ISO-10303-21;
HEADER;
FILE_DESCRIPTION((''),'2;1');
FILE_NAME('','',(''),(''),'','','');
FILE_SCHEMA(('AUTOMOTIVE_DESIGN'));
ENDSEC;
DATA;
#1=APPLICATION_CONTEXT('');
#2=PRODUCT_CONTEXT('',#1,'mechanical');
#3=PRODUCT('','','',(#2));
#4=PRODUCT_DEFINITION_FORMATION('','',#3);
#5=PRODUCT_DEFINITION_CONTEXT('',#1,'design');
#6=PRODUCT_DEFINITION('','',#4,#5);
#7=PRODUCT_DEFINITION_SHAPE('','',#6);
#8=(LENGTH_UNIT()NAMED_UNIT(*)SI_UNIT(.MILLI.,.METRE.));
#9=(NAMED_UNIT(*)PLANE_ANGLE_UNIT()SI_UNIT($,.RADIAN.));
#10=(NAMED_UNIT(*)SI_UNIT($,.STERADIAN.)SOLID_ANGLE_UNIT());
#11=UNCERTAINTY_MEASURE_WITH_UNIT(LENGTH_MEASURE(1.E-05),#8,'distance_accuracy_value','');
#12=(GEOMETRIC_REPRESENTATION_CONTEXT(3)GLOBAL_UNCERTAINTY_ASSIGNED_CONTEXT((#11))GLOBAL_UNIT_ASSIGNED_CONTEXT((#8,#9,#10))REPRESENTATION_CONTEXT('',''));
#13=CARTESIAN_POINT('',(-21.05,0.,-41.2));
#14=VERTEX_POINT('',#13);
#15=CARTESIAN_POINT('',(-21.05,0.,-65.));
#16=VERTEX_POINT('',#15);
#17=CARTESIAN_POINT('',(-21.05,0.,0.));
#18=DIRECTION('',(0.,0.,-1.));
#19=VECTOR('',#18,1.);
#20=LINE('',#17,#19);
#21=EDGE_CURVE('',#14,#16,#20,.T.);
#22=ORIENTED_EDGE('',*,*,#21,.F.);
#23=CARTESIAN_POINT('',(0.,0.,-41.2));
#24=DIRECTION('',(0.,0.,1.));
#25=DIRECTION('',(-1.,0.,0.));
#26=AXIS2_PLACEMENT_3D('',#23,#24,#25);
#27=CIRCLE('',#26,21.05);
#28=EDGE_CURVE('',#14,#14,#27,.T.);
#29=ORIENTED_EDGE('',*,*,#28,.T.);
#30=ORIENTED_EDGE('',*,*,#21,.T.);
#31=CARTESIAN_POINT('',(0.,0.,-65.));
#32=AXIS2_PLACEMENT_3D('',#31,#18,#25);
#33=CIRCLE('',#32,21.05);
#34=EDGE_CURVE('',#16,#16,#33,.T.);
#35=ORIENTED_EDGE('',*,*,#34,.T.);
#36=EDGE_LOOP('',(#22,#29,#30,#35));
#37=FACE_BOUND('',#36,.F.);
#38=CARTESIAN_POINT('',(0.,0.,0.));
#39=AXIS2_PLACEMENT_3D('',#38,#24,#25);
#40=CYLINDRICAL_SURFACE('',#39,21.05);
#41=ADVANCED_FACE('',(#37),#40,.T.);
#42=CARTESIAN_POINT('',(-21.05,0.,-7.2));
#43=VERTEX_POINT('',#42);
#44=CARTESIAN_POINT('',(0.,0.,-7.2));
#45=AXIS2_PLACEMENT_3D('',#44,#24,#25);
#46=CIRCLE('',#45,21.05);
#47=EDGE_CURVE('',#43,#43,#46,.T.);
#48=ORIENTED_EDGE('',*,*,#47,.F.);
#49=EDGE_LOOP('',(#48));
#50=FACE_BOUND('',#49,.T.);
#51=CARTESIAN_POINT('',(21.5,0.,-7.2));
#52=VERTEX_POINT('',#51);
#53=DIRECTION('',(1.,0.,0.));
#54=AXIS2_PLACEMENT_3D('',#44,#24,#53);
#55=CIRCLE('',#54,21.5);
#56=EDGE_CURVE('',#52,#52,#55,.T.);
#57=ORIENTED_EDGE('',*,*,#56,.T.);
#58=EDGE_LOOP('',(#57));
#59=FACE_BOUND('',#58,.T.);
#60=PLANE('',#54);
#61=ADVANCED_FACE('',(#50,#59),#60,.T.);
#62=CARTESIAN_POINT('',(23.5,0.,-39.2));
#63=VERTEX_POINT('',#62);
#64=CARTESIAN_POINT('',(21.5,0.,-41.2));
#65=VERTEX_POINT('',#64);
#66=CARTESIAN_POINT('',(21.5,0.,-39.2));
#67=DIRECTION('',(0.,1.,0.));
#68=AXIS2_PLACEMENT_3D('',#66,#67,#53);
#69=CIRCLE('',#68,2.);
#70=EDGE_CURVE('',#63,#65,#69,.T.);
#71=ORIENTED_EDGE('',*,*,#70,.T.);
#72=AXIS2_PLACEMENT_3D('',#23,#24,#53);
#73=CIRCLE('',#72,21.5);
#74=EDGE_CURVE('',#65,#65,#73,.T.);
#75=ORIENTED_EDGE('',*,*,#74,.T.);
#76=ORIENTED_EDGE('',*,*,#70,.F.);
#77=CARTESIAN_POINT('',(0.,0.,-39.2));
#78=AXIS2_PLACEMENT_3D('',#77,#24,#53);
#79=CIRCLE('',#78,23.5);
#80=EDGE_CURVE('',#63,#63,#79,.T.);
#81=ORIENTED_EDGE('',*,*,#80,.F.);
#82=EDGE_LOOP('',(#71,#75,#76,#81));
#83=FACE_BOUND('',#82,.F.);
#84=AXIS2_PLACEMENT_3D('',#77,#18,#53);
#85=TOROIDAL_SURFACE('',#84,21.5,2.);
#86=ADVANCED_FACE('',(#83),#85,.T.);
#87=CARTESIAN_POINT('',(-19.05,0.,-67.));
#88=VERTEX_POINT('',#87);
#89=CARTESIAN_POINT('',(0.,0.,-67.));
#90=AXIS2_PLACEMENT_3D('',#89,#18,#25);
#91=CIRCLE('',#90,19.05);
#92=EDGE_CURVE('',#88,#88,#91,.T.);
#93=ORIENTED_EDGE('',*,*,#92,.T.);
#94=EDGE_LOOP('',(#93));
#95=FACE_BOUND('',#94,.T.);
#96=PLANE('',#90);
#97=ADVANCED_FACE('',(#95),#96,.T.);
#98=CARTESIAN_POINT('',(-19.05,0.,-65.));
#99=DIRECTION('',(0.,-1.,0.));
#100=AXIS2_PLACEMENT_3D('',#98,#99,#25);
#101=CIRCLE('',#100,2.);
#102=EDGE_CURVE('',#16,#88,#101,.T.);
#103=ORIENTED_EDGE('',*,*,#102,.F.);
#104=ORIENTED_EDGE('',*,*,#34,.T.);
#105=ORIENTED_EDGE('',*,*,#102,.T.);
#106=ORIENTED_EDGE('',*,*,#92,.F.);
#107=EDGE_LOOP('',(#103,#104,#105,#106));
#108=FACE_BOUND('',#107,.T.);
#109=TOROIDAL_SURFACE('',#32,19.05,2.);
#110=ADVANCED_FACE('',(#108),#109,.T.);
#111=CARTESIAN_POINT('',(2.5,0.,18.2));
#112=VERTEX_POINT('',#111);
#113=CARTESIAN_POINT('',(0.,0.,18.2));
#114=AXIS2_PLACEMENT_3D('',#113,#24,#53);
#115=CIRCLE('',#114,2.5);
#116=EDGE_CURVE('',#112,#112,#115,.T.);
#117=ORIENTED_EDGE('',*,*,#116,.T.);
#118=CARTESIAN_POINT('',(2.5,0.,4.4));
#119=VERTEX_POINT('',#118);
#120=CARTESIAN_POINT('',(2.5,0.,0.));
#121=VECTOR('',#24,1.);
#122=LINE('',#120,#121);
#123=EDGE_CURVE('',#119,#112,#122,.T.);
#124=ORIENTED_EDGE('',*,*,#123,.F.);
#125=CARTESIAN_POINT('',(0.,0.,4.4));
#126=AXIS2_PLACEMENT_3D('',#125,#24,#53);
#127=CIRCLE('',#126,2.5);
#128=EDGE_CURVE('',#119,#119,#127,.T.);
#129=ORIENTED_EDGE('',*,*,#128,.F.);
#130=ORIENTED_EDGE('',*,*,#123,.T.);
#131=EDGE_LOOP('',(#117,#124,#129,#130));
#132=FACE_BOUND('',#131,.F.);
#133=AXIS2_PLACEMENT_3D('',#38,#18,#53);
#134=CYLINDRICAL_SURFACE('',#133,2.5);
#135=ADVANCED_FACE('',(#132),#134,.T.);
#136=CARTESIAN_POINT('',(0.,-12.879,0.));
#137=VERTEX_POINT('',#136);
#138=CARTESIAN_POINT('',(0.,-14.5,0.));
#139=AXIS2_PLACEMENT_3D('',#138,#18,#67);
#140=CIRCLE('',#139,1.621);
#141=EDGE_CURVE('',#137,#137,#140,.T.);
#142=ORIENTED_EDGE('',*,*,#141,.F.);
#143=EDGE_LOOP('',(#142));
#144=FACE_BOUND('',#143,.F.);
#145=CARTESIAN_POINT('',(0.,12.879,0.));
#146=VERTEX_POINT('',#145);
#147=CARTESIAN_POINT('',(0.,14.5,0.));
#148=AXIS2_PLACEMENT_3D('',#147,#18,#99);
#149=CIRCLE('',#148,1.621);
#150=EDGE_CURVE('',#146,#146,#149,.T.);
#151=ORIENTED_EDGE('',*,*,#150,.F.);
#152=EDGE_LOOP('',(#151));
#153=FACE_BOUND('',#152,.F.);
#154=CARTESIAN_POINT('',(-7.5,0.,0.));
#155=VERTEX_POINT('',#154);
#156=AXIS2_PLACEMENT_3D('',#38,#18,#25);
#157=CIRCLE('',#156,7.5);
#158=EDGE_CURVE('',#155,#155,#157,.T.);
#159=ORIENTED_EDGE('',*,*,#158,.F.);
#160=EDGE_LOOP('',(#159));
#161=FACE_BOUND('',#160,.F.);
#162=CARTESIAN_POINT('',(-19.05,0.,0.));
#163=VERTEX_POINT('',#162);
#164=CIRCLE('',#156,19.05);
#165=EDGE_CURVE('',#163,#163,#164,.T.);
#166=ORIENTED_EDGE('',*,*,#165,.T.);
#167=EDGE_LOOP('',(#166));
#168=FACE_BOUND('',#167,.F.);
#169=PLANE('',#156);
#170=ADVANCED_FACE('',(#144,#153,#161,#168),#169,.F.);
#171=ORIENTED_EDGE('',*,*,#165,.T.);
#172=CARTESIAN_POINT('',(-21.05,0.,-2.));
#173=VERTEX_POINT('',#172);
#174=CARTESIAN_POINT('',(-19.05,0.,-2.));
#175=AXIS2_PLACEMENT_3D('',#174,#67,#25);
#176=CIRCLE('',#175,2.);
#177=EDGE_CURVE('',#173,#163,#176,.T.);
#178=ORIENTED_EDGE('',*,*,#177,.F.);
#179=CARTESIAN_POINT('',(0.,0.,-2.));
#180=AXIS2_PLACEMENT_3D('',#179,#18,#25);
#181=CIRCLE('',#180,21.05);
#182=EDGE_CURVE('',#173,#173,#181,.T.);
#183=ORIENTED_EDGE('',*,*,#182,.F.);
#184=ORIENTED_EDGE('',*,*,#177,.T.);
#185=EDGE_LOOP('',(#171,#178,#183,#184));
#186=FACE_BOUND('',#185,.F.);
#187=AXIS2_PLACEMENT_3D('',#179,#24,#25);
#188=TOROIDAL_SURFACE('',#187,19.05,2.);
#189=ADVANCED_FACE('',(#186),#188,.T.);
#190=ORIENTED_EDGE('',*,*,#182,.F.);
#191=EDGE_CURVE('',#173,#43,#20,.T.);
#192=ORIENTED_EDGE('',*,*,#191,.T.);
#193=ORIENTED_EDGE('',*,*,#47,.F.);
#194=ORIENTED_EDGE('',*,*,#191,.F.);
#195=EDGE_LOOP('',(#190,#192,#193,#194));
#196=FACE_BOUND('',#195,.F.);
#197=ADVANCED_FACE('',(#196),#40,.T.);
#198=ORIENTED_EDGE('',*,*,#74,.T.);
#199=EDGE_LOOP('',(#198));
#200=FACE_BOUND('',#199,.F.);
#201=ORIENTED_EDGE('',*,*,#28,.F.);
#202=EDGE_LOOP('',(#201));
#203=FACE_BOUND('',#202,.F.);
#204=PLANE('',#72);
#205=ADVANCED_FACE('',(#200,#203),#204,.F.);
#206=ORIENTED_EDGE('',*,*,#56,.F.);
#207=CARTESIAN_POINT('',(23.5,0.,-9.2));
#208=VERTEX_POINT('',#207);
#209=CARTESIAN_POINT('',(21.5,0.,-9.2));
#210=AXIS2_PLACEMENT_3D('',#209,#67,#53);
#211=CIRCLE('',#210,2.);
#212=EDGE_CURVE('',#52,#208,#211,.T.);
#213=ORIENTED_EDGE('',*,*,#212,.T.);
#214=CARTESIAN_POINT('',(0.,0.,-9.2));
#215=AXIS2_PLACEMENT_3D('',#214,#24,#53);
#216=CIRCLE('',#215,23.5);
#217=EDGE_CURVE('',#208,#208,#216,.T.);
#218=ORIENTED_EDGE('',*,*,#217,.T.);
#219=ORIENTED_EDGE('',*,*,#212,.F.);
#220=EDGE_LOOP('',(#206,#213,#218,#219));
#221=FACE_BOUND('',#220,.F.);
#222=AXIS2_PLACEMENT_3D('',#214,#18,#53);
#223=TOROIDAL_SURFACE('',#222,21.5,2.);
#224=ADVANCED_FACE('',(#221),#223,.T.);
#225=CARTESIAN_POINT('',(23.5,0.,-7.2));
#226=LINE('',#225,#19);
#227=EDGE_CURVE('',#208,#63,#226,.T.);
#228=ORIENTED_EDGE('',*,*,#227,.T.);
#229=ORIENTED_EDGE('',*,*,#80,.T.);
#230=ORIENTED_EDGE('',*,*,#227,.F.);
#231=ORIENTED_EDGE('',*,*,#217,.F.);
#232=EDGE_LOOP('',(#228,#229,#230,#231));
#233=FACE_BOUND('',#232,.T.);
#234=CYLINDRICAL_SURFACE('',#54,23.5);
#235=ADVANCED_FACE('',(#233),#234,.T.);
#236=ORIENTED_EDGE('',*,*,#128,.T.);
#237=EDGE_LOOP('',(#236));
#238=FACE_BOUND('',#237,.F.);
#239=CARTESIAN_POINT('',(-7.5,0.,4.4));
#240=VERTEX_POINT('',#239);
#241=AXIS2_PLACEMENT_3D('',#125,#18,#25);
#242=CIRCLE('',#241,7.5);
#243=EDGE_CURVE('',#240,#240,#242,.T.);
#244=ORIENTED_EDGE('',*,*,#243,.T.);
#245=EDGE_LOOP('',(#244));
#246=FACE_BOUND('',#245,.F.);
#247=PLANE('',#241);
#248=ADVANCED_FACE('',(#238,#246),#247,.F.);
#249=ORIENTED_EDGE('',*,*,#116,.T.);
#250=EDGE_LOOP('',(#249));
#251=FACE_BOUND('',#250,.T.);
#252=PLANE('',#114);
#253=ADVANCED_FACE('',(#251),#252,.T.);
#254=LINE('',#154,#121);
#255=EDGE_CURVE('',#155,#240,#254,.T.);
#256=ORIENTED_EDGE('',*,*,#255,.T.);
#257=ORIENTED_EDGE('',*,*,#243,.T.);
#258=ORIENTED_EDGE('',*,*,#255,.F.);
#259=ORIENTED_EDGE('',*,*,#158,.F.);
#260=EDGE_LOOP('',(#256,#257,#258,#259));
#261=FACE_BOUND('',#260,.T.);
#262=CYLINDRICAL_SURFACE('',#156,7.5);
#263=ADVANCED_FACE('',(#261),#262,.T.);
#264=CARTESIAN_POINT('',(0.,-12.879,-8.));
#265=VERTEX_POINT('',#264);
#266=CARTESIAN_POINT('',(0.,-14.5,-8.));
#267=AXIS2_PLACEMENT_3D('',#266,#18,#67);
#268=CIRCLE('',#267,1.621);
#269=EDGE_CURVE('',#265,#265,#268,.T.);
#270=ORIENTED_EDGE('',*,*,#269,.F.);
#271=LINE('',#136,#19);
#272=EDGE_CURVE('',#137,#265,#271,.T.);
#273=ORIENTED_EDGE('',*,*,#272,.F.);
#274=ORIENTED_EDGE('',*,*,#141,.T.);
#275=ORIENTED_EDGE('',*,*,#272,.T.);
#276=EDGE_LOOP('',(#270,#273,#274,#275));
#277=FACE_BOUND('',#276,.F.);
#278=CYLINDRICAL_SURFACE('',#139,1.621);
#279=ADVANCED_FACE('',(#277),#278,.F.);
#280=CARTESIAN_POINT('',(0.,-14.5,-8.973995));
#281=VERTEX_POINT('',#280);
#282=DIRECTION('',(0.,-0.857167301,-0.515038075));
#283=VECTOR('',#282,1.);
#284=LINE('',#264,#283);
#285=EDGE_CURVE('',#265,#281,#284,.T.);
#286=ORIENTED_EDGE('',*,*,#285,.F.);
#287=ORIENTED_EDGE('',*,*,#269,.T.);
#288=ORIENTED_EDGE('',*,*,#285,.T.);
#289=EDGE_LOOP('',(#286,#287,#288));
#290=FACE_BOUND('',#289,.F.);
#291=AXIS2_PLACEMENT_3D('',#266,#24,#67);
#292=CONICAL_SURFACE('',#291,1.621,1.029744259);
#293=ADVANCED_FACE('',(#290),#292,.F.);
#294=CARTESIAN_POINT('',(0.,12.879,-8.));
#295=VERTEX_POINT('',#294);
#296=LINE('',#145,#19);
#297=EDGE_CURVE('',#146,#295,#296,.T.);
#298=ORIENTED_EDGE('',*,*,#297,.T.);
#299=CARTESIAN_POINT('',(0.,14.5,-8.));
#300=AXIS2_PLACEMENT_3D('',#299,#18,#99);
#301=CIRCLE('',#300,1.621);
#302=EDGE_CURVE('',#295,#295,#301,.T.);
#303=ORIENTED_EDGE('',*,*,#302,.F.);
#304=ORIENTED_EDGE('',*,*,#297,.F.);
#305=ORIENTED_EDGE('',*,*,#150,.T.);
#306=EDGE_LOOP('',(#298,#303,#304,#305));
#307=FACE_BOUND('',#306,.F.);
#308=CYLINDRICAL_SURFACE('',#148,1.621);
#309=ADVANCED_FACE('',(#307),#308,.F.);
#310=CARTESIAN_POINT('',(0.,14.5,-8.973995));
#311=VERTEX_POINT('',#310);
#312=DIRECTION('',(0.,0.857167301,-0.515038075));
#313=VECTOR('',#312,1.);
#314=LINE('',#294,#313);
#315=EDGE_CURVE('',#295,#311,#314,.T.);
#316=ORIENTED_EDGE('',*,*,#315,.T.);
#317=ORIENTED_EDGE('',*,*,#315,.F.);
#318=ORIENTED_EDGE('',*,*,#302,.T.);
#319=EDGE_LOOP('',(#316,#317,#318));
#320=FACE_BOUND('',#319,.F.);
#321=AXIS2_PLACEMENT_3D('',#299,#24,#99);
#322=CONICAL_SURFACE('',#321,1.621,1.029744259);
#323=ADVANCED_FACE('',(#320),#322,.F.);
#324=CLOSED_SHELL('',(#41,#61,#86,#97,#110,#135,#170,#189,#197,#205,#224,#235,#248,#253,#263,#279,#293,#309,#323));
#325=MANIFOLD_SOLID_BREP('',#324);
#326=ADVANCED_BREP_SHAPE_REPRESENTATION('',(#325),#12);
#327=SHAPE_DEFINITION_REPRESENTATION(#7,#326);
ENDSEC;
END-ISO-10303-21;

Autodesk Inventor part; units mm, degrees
ref_plane "YZ Plane" through (0, 0, 0) normal (1, 0, 0) x (0, 1, 0)
ref_plane "XZ Plane" through (0, 0, 0) normal (0, 1, 0) x (-1, 0, 0)
sketch "スケッチ1" plane through (0, 0, 0) normal (0, 0, 1) x (1, 0, 0)
  circle A0 centre (0, 0) radius 2.5
  dimension "d0" = 5
extrude "押し出し1" add sketch "スケッチ1" along normal blind 18.2
sketch "スケッチ2" plane through (0, 0, 0) normal (0, 0, -1) x (-1, 0, 0)
  circle A0 centre (0, 0) radius 2.5 projected
  circle A1 centre (0, 0) radius 7.5
  dimension "d3" = 15
extrude "押し出し2" add sketch "スケッチ2" against normal blind 4.4
sketch "スケッチ3" plane through (0, 0, 0) normal (0, 0, -1) x (-1, 0, 0)
  circle A0 centre (0, 0) radius 7.5 projected
  circle A1 centre (0, 0) radius 21.05
  dimension "d6" = 42.1
extrude "押し出し3" add sketch "スケッチ3" along normal blind 67 contours A0 | A1
ref_plane "作業平面1" through (0, 0, -7.2) normal (0, 0, 1) x (1, 0, 0)
sketch "スケッチ6" plane through (0, 0, -7.2) normal (0, 0, 1) x (1, 0, 0)
  circle A0 centre (0, 0) radius 23.5
  dimension "d14" = 47
extrude "押し出し5" add sketch "スケッチ6" against normal blind 34
sketch "スケッチ7" plane through (0, 0, 0) normal (0, 0, 1) x (1, 0, 0)
  circle A0 centre (0, 14.5) radius 0.9915
  circle A1 centre (0, 0) radius 2.5 projected
  dimension "d17" = 14.5
hole "穴1" at (0, 14.5, 0) direction (0, 0, -1) diameter 3.242 depth 8 tip angle 118 thread size "M4x0.7" class "6H" standard "ISO Metric profile"
pattern_circular "放射状パターン1" count 2 over 360 about axis through (0, 0, 0) along (0, 0, 1) of "穴1"
fillet "フィレット1" radius 2 1 edges at (21.05, 0, 0)
fillet "フィレット2" radius 2 2 edges at (-23.5, 0, -7.2) (-23.5, 0, -41.2)
fillet "フィレット3" radius 2 1 edges at (21.05, 0, -67)
properties part number "775"
